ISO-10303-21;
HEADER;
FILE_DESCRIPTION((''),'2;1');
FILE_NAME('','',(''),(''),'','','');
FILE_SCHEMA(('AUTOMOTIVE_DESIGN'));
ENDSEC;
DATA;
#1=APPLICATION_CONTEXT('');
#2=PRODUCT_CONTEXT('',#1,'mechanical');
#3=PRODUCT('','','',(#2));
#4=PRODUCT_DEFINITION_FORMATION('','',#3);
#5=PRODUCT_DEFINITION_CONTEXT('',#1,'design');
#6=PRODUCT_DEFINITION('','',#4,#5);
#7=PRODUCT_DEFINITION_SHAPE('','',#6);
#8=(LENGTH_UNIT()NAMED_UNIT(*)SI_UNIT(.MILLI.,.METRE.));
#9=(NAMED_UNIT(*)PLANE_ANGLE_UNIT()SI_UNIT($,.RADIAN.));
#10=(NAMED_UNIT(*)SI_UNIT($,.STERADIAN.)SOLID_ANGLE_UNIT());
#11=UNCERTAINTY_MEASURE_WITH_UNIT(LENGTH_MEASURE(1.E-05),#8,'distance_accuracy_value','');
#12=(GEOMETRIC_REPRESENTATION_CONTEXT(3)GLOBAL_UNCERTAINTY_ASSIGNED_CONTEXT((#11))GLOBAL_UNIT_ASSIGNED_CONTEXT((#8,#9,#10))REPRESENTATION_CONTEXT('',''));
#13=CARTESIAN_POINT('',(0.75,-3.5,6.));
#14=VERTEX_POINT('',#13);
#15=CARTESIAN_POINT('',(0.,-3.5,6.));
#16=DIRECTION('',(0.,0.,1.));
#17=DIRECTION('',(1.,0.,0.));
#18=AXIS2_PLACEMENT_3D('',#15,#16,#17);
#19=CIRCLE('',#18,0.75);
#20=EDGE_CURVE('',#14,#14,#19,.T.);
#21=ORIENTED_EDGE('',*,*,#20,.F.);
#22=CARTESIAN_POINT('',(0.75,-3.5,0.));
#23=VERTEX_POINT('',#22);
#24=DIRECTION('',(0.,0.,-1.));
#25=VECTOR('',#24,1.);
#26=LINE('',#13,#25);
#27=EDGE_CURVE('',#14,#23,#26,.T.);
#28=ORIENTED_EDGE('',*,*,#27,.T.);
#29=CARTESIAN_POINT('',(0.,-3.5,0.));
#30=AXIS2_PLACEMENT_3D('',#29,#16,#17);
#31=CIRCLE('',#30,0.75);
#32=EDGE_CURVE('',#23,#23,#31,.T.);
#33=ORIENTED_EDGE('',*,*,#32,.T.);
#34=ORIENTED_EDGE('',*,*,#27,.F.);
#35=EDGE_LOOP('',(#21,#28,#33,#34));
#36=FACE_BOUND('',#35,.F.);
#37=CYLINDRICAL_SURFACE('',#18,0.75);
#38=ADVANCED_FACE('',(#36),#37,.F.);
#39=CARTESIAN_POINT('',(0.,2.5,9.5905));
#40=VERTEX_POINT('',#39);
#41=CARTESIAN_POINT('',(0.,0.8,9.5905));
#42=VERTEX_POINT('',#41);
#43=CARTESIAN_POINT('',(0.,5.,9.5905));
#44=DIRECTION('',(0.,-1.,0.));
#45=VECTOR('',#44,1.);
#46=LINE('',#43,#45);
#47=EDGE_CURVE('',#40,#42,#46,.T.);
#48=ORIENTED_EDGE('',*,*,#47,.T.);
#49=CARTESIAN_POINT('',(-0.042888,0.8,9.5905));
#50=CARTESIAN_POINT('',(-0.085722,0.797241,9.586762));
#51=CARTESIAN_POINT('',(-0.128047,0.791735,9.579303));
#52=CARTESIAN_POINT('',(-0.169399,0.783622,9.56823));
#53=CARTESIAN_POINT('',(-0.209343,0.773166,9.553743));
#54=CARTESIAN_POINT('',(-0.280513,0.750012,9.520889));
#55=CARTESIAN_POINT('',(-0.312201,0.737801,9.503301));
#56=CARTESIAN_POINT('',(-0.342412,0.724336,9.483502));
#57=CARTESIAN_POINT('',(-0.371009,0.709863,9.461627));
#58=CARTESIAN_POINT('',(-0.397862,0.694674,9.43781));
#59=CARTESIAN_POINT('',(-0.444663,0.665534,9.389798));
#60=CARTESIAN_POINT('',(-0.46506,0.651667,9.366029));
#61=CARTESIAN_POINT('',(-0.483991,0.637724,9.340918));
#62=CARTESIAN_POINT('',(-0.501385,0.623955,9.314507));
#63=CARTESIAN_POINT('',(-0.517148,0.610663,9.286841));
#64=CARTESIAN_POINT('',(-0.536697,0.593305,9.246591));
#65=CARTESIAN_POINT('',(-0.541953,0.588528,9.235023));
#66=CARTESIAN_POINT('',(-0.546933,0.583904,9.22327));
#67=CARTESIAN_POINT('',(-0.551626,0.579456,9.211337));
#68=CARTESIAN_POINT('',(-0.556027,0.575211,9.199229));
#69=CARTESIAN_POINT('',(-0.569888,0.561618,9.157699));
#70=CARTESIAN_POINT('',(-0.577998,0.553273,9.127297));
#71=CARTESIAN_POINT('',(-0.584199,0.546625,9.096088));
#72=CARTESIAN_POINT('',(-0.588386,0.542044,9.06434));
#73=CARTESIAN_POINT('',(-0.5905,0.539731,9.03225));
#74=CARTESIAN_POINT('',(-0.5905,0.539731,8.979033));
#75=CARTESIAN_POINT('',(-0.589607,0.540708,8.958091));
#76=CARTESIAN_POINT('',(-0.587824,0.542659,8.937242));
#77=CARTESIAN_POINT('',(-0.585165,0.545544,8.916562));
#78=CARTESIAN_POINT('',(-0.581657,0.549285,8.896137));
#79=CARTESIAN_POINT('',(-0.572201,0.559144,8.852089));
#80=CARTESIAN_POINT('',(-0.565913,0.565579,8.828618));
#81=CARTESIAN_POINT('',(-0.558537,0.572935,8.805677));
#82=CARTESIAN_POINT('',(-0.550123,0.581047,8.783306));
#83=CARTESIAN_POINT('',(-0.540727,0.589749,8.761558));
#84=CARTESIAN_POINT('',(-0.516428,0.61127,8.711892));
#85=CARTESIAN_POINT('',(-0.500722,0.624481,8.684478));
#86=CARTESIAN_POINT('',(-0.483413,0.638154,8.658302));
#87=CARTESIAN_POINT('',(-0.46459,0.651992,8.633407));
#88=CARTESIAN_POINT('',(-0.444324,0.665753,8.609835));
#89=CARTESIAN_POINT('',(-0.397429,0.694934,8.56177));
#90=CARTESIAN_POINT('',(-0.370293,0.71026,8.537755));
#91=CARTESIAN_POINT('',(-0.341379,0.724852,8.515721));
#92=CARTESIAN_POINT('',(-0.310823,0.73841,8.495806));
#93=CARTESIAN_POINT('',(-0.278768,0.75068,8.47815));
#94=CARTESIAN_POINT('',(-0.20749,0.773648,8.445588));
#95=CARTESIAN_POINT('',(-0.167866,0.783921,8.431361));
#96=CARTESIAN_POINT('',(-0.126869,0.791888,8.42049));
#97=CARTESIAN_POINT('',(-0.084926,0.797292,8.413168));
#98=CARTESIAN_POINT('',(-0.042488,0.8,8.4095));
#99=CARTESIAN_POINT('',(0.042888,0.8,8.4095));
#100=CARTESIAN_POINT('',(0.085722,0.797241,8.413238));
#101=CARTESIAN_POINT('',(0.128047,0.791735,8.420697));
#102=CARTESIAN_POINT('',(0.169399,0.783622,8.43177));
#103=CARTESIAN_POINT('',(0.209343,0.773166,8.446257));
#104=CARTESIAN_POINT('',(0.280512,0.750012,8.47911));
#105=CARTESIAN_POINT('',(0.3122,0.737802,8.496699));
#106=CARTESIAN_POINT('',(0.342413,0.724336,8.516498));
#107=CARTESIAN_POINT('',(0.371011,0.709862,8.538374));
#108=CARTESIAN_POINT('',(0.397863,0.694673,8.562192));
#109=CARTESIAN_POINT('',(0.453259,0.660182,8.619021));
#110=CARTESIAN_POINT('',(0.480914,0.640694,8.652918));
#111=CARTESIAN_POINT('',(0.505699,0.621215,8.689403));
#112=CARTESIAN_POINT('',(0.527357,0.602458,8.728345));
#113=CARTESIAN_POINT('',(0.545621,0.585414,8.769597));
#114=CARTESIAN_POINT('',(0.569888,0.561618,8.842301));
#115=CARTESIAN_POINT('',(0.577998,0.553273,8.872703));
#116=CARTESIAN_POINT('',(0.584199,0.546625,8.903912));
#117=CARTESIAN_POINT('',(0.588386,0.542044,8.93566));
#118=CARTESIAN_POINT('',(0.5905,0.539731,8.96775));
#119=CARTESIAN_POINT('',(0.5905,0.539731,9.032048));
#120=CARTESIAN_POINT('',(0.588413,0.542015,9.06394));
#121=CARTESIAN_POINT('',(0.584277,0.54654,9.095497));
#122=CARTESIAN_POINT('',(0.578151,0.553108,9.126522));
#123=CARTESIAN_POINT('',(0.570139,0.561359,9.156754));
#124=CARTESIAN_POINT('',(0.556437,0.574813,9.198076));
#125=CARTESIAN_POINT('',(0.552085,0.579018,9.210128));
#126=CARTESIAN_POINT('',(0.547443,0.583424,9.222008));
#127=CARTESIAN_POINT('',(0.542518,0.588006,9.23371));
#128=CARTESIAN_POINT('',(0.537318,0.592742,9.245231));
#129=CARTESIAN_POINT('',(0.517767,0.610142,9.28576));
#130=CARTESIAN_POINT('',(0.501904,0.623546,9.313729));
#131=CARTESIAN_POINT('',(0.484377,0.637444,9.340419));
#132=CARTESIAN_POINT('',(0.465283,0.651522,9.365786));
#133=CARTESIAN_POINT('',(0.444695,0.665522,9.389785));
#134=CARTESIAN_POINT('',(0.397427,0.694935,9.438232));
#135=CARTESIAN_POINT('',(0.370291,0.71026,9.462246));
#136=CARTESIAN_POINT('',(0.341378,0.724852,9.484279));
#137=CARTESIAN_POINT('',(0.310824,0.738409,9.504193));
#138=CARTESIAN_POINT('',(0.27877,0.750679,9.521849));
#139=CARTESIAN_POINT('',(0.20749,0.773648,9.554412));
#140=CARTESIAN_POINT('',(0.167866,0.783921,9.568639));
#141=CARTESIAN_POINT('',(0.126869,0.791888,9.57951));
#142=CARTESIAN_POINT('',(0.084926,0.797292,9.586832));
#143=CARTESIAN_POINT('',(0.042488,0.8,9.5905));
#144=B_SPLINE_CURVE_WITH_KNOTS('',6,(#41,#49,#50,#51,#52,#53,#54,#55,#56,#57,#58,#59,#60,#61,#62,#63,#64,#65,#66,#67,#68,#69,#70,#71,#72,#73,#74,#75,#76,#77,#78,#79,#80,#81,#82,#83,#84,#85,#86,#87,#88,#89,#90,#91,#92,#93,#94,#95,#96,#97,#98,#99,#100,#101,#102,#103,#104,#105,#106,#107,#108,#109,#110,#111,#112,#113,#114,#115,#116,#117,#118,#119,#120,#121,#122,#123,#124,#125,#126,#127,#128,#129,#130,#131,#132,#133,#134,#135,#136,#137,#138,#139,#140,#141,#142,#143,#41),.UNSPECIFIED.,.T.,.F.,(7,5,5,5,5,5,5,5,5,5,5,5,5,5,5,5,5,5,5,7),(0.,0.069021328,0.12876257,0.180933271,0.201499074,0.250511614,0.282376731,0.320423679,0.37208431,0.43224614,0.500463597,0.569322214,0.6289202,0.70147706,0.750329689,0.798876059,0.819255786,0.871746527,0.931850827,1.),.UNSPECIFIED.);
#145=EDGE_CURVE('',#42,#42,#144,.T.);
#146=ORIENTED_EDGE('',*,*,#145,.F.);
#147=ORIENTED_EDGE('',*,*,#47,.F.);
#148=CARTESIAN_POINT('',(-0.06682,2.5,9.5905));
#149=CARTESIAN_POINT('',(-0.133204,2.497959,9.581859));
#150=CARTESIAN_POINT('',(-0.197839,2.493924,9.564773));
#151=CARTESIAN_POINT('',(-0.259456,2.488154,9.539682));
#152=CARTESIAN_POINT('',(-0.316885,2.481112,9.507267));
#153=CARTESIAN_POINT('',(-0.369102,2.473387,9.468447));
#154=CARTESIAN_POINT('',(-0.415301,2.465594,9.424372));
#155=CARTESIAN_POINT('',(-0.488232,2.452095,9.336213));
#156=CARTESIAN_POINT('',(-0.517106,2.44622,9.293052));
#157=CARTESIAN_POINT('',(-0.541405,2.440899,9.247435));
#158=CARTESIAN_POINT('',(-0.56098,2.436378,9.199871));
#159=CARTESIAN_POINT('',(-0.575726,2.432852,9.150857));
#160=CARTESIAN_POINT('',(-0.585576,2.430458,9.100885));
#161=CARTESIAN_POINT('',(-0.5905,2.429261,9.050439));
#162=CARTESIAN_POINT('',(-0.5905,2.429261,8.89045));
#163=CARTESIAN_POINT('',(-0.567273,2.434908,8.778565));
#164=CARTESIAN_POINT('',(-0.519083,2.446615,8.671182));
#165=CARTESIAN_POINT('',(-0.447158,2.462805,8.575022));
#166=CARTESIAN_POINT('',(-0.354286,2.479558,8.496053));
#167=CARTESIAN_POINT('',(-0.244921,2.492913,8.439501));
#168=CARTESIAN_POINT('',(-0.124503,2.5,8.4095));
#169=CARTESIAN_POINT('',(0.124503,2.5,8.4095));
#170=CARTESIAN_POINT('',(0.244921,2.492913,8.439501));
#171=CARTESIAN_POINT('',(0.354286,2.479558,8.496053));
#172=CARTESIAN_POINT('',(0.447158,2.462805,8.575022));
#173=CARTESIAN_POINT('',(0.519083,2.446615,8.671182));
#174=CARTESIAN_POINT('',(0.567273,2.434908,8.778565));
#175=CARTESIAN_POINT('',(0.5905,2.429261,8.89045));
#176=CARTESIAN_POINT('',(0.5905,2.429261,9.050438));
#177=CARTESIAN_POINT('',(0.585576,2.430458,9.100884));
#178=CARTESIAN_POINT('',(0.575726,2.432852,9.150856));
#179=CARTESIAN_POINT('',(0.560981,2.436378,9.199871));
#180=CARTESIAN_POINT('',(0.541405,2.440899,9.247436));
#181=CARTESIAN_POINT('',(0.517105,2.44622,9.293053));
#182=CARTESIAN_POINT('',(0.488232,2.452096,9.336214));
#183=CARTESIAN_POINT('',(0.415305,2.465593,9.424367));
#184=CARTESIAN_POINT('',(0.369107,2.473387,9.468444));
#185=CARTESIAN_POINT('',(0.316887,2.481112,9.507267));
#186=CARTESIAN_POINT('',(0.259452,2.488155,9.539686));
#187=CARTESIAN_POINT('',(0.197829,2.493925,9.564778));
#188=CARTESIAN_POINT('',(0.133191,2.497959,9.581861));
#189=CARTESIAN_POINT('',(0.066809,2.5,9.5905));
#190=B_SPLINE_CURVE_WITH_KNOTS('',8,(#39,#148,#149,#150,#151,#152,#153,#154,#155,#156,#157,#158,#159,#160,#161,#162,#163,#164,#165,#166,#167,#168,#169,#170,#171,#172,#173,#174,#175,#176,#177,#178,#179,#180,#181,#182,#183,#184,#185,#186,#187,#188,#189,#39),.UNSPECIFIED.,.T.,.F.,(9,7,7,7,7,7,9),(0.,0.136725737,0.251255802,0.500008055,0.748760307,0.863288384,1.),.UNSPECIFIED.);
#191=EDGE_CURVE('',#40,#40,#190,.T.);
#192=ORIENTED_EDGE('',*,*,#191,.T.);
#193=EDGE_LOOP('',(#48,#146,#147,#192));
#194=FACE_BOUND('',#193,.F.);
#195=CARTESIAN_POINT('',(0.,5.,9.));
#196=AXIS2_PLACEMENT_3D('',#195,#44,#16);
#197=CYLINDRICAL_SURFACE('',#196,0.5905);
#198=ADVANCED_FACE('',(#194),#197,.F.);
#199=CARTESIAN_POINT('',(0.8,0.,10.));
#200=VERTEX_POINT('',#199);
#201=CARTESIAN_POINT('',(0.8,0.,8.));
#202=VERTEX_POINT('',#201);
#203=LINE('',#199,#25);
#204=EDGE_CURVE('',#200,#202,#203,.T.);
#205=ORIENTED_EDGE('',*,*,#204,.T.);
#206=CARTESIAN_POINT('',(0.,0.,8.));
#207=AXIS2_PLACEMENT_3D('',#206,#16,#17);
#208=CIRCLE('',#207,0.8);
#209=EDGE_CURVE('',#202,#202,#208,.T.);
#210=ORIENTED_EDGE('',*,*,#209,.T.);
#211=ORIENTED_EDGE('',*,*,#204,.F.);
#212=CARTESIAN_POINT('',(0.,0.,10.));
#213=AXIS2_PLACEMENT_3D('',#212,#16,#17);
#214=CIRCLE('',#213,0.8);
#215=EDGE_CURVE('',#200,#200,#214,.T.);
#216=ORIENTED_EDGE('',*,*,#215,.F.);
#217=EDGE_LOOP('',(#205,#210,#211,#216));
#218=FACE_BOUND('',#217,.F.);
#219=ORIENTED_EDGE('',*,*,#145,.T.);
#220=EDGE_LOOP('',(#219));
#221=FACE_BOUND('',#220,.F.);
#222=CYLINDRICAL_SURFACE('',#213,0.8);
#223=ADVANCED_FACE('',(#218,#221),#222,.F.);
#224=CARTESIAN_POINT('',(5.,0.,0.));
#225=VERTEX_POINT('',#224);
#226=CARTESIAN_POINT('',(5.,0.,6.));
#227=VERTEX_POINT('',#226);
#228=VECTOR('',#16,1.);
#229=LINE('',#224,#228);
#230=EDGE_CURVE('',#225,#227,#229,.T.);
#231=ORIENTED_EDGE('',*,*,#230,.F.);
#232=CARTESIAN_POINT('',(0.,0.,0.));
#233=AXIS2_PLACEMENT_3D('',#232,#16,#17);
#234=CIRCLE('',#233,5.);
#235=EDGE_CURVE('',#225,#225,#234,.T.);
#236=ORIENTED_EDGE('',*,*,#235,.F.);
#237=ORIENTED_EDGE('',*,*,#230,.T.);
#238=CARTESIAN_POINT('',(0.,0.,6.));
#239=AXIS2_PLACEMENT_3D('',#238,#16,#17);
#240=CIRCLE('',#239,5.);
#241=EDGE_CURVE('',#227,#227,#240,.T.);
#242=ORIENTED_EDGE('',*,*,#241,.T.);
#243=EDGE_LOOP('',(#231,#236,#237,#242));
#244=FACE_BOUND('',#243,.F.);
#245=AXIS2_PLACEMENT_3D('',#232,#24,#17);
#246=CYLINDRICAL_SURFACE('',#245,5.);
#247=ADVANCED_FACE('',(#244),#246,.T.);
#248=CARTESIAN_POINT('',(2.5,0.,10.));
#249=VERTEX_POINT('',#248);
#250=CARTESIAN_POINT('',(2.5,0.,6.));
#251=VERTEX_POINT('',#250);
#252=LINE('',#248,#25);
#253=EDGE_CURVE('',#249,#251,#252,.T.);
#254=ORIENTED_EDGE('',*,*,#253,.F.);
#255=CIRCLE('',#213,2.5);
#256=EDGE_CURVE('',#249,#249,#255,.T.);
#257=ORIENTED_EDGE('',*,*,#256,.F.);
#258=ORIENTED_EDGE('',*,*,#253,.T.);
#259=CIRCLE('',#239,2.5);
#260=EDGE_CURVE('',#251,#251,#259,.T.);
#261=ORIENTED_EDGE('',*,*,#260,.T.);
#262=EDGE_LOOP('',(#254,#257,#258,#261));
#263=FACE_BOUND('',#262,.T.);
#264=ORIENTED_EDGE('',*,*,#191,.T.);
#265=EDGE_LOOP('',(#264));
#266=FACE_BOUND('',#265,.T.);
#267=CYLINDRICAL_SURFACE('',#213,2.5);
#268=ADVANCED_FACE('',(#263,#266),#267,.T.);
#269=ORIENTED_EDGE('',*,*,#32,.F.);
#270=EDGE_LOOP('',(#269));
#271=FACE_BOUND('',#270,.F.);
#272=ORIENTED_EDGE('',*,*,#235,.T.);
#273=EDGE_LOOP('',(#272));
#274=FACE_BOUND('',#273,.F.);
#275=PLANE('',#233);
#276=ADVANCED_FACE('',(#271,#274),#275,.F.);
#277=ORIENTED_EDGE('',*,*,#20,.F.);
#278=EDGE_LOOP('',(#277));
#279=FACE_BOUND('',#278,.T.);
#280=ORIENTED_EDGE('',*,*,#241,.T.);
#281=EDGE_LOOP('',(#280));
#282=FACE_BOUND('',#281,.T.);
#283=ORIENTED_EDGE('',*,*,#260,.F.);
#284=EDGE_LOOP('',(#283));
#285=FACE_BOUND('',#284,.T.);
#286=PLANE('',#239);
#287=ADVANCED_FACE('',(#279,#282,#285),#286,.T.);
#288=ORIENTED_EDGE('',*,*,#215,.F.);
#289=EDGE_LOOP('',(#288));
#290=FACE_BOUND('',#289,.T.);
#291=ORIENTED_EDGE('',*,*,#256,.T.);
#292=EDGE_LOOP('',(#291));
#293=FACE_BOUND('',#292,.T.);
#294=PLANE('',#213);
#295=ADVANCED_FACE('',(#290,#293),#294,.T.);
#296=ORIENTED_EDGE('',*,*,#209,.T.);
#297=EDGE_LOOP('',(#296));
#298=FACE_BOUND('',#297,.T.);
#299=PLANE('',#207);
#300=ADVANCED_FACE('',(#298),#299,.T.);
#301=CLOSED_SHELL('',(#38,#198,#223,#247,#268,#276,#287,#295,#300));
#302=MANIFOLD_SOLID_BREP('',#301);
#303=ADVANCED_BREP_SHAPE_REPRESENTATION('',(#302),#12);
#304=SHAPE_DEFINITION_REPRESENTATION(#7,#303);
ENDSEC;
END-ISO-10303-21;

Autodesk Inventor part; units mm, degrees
ref_plane "YZ Plane" through (0, 0, 0) normal (1, 0, 0) x (0, 1, 0)
ref_plane "XY Plane" through (0, 0, 0) normal (0, 0, 1) x (1, 0, 0)
sketch "Sketch1" plane through (0, 0, 0) normal (0, 0, 1) x (1, 0, 0)
  circle A0 centre (0, 0) radius 5
  dimension "d0" = 10
extrude "Extrusion1" add sketch "Sketch1" along normal blind 10
sketch "Sketch2" plane through (0, 0, 10) normal (0, 0, 1) x (1, 0, 0)
  circle A0 centre (0, 0) radius 5 projected
  circle A1 centre (0, 0) radius 0.8
  dimension "d3" = 1.6
extrude "Extrusion2" cut sketch "Sketch2" against normal blind 2 contours A1
sketch "Sketch3" plane through (0, 0, 10) normal (0, 0, 1) x (1, 0, 0)
  circle A0 centre (0, 0) radius 0.8 projected
  circle A1 centre (0, 0) radius 5 projected
ref_plane "Work Plane1" through (0, 5, 0) normal (0, 1, 0) x (-1, 0, 0)
sketch "Sketch4" plane through (0, 5, 0) normal (0, 1, 0) x (-1, 0, 0)
  line L0 (-5, 0) -> (-5, 10) projected
  line L1 (5, 0) -> (5, 10) projected
  line L2 (0, -2) -> (0, 12) projected
  line L3 (-5, 10) -> (5, 10) projected
  point P0 (0, 0)
  point P1 (0, 9)
  dimension "d8" = 1
hole "Hole1" at (0, 5, 9) direction (0, -1, 0) diameter 1.181 depth 5 thread size "0-80 UNF" class "2B" standard "ANSI Unified Screw Threads"
sketch "Sketch5" plane through (0, 0, 10) normal (0, 0, 1) x (1, 0, 0)
  circle A0 centre (0, 0) radius 5 projected
  circle A1 centre (0, 0) radius 2.5
  circle A2 centre (0, 0) radius 5
  dimension "d16" = 5
extrude "Extrusion3" cut sketch "Sketch5" against normal blind 4
sketch "Sketch6" plane through (0, 0, 10) normal (0, 0, 1) x (1, 0, 0)
  circle A0 centre (0, 0) radius 2.5 projected
  circle A1 centre (0, 0) radius 0.8 projected
sketch "Sketch7" plane through (0, 0, 6) normal (0, 0, 1) x (1, 0, 0)
  circle A0 centre (0, 0) radius 2.5 projected
  circle A1 centre (0, -3.5) radius 0.75
  dimension "d19" = 1.5
  dimension "d20" = 3.5
extrude "Extrusion4" cut sketch "Sketch7" against normal through all contours A1
properties part number "Jig_Bearing_Asm_Housing_Holder"
